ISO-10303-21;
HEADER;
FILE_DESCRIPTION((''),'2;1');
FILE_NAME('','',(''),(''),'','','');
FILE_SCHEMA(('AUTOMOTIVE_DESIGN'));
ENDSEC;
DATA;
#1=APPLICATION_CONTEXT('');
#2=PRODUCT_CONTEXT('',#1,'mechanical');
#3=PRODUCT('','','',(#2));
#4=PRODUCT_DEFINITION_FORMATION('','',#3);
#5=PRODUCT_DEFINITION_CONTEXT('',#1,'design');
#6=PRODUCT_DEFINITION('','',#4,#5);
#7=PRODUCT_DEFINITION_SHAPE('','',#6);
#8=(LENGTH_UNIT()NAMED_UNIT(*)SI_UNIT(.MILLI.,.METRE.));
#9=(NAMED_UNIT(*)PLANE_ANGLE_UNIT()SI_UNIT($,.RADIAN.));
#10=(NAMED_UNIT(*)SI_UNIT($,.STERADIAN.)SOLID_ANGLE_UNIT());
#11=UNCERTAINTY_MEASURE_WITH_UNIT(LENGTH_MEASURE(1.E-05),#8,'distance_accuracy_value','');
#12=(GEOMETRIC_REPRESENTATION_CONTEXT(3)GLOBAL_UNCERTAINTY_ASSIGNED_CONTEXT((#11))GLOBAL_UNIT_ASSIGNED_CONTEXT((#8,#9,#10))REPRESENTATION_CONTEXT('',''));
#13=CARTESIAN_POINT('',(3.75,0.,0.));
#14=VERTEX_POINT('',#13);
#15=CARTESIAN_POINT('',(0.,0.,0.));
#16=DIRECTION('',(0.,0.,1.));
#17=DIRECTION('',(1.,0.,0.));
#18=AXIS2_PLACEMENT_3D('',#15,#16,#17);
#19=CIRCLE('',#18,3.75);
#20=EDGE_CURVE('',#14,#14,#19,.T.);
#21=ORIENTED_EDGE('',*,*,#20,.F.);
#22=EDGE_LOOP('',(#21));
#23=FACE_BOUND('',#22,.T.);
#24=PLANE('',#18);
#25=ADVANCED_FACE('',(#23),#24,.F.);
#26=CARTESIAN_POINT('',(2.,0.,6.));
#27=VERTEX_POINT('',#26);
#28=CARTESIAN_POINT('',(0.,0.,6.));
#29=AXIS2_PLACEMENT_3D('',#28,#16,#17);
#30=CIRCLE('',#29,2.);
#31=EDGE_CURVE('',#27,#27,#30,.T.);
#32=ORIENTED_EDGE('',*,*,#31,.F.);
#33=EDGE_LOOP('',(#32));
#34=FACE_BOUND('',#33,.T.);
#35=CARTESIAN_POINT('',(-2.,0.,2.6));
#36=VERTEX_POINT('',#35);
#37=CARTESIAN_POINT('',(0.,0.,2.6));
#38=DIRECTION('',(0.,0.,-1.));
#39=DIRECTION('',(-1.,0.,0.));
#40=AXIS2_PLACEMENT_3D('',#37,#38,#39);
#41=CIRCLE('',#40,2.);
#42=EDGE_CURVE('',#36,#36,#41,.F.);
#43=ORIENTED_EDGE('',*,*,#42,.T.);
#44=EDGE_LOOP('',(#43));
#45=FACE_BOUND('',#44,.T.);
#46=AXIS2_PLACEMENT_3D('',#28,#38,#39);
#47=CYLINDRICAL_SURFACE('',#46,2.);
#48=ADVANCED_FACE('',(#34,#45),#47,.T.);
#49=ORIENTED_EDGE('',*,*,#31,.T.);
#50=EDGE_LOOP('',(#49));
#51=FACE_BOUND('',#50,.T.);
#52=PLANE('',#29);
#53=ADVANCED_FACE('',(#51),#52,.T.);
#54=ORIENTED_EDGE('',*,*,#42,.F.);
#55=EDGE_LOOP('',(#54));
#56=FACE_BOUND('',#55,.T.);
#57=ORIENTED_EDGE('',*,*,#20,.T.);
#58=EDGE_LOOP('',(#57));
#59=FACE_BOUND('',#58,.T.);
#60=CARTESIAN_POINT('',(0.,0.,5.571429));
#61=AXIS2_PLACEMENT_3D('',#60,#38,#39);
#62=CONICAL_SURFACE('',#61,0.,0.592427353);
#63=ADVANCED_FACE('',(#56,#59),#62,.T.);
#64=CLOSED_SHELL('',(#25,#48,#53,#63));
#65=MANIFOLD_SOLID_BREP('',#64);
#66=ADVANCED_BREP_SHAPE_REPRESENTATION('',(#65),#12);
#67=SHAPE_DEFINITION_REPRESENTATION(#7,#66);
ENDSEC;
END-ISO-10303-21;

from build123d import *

# Parameters (mm, degrees)
SKETCH_1_R      = 2
EXTRUDE_1_DEPTH = 6


with BuildPart() as part:
    # 草图1 → 凸台-拉伸1 (new body)
    with BuildSketch(Plane.XY):
        Circle(SKETCH_1_R)
    extrude(amount=EXTRUDE_1_DEPTH)

    # 草图2 → 旋转1 (revolve)
    with BuildSketch(Plane(origin=(0, 0, 0), x_dir=(1, 0, 0), z_dir=(0, 1, 0)), mode=Mode.PRIVATE) as revolve_1_sk:
        Polygon((0, 0), (3.75, 0), (0, -5.571428571), align=None)
    revolve(revolve_1_sk.sketch.rotate(Axis((0, 0, 5.571428571), (0, 0, -1)), 180), axis=Axis((0, 0, 5.571428571), (0, 0, -1)))


solid = part.part
